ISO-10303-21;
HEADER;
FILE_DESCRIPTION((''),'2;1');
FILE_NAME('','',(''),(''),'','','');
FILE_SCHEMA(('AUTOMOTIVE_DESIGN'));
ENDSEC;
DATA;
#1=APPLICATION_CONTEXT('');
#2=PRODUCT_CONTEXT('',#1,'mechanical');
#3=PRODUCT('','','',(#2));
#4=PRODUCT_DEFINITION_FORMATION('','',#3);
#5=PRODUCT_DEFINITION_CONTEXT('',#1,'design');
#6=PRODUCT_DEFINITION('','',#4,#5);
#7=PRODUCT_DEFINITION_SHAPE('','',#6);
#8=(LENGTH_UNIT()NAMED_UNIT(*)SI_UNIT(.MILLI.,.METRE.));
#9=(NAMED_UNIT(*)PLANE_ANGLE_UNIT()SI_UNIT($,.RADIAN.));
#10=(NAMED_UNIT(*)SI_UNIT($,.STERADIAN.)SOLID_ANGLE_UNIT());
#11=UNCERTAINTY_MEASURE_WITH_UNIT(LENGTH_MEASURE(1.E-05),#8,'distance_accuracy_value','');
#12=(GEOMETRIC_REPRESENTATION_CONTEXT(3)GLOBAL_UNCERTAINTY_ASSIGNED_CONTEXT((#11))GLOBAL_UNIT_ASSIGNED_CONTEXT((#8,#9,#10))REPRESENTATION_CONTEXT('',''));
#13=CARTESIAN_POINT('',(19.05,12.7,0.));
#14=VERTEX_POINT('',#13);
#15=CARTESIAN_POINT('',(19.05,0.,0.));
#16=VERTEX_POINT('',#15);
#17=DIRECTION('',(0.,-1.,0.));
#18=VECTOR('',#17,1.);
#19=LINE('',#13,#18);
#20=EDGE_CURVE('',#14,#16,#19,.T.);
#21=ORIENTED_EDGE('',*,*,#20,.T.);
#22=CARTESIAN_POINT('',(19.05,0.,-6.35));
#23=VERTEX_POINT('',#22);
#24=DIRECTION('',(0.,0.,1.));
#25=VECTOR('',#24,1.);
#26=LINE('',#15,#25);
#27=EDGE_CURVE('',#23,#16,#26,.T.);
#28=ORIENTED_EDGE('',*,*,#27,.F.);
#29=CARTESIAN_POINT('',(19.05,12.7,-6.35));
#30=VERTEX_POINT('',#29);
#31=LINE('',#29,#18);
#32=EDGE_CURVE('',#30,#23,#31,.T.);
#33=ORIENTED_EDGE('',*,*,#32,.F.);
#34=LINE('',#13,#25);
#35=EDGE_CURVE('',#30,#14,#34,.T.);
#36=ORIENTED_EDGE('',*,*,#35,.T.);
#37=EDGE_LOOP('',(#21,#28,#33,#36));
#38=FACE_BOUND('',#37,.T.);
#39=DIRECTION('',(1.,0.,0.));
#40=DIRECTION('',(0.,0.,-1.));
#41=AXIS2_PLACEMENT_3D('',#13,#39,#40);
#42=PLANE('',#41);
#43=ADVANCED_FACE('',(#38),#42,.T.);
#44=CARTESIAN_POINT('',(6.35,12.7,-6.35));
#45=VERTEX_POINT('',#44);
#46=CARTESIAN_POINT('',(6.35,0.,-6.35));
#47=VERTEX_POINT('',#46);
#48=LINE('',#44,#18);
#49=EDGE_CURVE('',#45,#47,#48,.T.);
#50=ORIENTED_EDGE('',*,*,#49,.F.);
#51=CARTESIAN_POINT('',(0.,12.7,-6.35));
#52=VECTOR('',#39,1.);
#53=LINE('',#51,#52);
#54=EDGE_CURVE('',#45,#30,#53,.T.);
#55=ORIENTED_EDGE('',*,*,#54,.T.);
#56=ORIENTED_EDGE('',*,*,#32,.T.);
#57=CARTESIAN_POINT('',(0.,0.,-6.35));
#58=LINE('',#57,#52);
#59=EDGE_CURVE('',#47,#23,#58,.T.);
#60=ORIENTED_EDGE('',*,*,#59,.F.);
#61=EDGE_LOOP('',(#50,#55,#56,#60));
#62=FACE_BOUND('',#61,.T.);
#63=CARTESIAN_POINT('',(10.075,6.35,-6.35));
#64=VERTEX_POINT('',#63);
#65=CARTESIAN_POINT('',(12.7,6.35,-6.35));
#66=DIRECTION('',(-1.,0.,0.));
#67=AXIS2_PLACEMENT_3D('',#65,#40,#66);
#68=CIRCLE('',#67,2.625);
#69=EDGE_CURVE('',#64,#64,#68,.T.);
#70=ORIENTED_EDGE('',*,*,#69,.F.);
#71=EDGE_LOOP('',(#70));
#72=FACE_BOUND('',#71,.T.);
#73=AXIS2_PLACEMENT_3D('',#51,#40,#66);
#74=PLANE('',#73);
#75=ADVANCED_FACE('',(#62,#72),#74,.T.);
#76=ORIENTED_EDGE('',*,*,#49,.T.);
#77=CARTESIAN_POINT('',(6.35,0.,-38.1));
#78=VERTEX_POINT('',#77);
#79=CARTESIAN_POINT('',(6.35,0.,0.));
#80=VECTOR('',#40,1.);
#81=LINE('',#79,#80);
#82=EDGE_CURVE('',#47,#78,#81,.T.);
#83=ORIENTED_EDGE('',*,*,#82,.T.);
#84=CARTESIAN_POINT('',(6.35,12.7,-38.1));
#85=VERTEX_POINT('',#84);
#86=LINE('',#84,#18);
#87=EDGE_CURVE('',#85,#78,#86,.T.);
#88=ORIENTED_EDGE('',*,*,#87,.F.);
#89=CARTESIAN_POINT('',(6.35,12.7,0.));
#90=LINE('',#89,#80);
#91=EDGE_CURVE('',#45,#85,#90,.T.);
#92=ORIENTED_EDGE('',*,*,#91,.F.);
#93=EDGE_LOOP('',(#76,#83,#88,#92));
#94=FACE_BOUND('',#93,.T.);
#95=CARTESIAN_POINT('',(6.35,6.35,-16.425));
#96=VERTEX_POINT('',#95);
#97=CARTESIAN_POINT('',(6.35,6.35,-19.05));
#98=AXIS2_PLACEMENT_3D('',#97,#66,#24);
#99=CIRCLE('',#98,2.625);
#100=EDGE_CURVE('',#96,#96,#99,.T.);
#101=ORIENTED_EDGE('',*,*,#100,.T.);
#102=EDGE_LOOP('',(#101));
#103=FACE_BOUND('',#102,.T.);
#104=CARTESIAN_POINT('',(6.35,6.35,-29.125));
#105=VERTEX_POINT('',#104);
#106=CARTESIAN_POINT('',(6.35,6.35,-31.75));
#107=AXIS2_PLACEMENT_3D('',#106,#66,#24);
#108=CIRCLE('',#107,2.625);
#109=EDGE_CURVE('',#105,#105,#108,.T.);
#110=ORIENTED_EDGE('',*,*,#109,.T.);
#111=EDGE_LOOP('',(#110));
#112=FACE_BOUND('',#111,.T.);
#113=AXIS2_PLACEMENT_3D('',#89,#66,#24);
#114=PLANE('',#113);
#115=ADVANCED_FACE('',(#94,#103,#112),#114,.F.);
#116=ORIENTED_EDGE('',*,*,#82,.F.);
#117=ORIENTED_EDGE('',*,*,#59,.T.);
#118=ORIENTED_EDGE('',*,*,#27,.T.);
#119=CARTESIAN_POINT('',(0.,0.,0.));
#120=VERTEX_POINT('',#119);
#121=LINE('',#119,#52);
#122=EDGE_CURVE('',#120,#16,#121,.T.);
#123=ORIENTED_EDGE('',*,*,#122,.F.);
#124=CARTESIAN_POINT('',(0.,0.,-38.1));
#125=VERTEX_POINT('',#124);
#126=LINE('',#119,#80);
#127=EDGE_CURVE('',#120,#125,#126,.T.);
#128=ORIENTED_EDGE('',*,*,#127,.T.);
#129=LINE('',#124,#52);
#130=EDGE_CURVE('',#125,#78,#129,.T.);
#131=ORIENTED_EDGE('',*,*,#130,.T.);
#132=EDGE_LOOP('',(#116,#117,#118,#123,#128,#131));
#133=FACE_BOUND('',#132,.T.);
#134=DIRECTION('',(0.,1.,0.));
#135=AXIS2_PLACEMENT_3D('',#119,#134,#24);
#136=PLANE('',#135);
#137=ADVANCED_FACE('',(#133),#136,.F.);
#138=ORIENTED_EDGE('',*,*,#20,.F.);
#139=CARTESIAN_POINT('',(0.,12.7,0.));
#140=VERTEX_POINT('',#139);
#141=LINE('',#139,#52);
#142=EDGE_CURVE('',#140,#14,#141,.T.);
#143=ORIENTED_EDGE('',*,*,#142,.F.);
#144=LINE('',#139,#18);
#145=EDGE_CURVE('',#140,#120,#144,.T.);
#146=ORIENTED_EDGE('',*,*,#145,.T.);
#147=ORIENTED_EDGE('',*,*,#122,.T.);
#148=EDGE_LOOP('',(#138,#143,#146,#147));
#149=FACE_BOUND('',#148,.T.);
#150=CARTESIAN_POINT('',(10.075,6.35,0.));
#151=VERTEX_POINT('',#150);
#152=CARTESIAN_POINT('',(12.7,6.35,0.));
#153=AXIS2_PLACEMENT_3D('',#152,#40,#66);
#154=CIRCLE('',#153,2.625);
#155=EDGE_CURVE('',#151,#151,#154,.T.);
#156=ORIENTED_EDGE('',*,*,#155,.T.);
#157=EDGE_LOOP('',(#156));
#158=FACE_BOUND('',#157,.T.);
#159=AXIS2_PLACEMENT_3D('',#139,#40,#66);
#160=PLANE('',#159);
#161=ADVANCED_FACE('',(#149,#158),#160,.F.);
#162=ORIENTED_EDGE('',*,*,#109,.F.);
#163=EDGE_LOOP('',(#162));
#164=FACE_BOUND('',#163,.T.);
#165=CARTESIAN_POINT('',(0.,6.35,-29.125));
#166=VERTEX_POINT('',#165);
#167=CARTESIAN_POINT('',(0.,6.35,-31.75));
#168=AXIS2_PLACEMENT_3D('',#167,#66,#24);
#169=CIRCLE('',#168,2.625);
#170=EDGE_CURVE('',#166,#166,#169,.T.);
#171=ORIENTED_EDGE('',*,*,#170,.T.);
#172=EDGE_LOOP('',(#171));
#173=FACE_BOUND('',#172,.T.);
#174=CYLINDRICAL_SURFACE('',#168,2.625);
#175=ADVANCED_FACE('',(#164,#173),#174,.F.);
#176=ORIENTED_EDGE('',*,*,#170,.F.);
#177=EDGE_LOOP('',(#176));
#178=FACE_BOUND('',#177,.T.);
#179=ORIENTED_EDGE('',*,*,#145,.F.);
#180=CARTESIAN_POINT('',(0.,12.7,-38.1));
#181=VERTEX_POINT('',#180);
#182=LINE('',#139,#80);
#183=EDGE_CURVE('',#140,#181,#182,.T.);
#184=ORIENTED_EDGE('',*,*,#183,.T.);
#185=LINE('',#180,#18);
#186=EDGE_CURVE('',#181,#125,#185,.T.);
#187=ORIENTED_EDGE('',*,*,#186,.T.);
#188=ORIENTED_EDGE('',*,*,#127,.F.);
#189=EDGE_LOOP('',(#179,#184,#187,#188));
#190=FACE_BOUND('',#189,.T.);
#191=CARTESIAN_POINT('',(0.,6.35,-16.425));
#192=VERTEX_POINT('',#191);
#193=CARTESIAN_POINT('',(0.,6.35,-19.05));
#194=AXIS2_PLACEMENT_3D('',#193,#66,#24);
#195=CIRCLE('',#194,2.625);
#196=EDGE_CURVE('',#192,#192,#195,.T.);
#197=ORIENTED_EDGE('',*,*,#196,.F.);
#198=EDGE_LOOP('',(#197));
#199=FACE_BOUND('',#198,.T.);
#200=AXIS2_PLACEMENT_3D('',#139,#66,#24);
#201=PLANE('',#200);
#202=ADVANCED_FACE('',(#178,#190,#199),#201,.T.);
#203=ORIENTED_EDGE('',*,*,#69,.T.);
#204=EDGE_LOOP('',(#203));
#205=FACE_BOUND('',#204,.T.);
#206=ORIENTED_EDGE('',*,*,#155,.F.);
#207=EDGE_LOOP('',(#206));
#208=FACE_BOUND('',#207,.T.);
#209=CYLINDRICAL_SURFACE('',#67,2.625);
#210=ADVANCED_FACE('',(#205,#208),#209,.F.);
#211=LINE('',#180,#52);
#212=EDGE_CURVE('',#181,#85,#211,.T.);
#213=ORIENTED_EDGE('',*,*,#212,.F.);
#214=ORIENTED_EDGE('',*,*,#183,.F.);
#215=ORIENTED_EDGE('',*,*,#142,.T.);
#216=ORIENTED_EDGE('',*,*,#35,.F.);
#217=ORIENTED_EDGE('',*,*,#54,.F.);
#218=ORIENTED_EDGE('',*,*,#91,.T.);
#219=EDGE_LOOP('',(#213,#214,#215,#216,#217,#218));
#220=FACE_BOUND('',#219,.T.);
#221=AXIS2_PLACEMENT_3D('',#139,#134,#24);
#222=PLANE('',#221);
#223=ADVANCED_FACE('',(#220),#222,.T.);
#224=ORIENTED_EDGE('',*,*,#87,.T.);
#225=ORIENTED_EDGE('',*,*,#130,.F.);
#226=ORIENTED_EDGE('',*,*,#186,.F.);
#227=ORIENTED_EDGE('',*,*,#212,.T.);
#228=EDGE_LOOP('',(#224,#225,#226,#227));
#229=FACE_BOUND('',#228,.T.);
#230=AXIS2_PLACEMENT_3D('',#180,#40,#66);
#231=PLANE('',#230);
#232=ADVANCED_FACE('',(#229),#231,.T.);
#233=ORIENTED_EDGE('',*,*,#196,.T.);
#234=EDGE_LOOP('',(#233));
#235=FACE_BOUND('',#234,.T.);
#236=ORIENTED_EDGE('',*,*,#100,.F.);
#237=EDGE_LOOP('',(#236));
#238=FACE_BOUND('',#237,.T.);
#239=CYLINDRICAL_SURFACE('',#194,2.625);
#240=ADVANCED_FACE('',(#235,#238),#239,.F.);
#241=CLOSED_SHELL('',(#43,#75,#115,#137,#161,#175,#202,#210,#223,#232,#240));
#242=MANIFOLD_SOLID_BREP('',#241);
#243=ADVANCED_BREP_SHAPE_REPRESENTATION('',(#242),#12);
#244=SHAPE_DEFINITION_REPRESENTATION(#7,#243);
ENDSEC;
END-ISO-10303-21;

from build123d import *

# Parameters (mm, degrees)
SKETCH1_W                 = 6.35
SKETCH1_H                 = 38.1
SKETCH1_W_2               = 12.7
SKETCH1_H_2               = 6.35
BOSS_EXTRUDE1_DEPTH       = 12.7
F_5_0MM_DOWEL_HOLE1_D     = 5.25
F_5_0MM_DOWEL_HOLE1_DEPTH = 9.906
F_5_0MM_DOWEL_HOLE1_TIP   = 1.577259125
F_5_0MM_DOWEL_HOLE2_D     = 5.25
F_5_0MM_DOWEL_HOLE2_DEPTH = 9.906
F_5_0MM_DOWEL_HOLE2_TIP   = 1.577259125


with BuildPart() as part:
    # Sketch1 → Boss-Extrude1 (new body)
    with BuildSketch(Plane(origin=(0, 0, 0), x_dir=(1, 0, 0), z_dir=(0, 1, 0))):
        with Locations((3.175, 19.05)):
            Rectangle(SKETCH1_W, SKETCH1_H)
        with Locations((12.7, 3.175)):
            Rectangle(SKETCH1_W_2, SKETCH1_H_2)
    extrude(amount=BOSS_EXTRUDE1_DEPTH)

    # Ø5.0mm Dowel Hole1
    with Locations(Plane.ZY):
        with Locations((-31.75, 6.35), (-19.05, 6.35)):
            Hole(F_5_0MM_DOWEL_HOLE1_D / 2, depth=F_5_0MM_DOWEL_HOLE1_DEPTH)
            with Locations((0, 0, -(F_5_0MM_DOWEL_HOLE1_DEPTH + F_5_0MM_DOWEL_HOLE1_TIP / 2))):  # 118° drill point
                Cone(0, F_5_0MM_DOWEL_HOLE1_D / 2, F_5_0MM_DOWEL_HOLE1_TIP, mode=Mode.SUBTRACT)

    # Ø5.0mm Dowel Hole2
    with Locations(Plane(origin=(0, 0, -6.35), x_dir=(-1, 0, 0), z_dir=(0, 0, -1))):
        with Locations((-12.7, 6.35)):
            Hole(F_5_0MM_DOWEL_HOLE2_D / 2, depth=F_5_0MM_DOWEL_HOLE2_DEPTH)
            with Locations((0, 0, -(F_5_0MM_DOWEL_HOLE2_DEPTH + F_5_0MM_DOWEL_HOLE2_TIP / 2))):  # 118° drill point
                Cone(0, F_5_0MM_DOWEL_HOLE2_D / 2, F_5_0MM_DOWEL_HOLE2_TIP, mode=Mode.SUBTRACT)


solid = part.part
